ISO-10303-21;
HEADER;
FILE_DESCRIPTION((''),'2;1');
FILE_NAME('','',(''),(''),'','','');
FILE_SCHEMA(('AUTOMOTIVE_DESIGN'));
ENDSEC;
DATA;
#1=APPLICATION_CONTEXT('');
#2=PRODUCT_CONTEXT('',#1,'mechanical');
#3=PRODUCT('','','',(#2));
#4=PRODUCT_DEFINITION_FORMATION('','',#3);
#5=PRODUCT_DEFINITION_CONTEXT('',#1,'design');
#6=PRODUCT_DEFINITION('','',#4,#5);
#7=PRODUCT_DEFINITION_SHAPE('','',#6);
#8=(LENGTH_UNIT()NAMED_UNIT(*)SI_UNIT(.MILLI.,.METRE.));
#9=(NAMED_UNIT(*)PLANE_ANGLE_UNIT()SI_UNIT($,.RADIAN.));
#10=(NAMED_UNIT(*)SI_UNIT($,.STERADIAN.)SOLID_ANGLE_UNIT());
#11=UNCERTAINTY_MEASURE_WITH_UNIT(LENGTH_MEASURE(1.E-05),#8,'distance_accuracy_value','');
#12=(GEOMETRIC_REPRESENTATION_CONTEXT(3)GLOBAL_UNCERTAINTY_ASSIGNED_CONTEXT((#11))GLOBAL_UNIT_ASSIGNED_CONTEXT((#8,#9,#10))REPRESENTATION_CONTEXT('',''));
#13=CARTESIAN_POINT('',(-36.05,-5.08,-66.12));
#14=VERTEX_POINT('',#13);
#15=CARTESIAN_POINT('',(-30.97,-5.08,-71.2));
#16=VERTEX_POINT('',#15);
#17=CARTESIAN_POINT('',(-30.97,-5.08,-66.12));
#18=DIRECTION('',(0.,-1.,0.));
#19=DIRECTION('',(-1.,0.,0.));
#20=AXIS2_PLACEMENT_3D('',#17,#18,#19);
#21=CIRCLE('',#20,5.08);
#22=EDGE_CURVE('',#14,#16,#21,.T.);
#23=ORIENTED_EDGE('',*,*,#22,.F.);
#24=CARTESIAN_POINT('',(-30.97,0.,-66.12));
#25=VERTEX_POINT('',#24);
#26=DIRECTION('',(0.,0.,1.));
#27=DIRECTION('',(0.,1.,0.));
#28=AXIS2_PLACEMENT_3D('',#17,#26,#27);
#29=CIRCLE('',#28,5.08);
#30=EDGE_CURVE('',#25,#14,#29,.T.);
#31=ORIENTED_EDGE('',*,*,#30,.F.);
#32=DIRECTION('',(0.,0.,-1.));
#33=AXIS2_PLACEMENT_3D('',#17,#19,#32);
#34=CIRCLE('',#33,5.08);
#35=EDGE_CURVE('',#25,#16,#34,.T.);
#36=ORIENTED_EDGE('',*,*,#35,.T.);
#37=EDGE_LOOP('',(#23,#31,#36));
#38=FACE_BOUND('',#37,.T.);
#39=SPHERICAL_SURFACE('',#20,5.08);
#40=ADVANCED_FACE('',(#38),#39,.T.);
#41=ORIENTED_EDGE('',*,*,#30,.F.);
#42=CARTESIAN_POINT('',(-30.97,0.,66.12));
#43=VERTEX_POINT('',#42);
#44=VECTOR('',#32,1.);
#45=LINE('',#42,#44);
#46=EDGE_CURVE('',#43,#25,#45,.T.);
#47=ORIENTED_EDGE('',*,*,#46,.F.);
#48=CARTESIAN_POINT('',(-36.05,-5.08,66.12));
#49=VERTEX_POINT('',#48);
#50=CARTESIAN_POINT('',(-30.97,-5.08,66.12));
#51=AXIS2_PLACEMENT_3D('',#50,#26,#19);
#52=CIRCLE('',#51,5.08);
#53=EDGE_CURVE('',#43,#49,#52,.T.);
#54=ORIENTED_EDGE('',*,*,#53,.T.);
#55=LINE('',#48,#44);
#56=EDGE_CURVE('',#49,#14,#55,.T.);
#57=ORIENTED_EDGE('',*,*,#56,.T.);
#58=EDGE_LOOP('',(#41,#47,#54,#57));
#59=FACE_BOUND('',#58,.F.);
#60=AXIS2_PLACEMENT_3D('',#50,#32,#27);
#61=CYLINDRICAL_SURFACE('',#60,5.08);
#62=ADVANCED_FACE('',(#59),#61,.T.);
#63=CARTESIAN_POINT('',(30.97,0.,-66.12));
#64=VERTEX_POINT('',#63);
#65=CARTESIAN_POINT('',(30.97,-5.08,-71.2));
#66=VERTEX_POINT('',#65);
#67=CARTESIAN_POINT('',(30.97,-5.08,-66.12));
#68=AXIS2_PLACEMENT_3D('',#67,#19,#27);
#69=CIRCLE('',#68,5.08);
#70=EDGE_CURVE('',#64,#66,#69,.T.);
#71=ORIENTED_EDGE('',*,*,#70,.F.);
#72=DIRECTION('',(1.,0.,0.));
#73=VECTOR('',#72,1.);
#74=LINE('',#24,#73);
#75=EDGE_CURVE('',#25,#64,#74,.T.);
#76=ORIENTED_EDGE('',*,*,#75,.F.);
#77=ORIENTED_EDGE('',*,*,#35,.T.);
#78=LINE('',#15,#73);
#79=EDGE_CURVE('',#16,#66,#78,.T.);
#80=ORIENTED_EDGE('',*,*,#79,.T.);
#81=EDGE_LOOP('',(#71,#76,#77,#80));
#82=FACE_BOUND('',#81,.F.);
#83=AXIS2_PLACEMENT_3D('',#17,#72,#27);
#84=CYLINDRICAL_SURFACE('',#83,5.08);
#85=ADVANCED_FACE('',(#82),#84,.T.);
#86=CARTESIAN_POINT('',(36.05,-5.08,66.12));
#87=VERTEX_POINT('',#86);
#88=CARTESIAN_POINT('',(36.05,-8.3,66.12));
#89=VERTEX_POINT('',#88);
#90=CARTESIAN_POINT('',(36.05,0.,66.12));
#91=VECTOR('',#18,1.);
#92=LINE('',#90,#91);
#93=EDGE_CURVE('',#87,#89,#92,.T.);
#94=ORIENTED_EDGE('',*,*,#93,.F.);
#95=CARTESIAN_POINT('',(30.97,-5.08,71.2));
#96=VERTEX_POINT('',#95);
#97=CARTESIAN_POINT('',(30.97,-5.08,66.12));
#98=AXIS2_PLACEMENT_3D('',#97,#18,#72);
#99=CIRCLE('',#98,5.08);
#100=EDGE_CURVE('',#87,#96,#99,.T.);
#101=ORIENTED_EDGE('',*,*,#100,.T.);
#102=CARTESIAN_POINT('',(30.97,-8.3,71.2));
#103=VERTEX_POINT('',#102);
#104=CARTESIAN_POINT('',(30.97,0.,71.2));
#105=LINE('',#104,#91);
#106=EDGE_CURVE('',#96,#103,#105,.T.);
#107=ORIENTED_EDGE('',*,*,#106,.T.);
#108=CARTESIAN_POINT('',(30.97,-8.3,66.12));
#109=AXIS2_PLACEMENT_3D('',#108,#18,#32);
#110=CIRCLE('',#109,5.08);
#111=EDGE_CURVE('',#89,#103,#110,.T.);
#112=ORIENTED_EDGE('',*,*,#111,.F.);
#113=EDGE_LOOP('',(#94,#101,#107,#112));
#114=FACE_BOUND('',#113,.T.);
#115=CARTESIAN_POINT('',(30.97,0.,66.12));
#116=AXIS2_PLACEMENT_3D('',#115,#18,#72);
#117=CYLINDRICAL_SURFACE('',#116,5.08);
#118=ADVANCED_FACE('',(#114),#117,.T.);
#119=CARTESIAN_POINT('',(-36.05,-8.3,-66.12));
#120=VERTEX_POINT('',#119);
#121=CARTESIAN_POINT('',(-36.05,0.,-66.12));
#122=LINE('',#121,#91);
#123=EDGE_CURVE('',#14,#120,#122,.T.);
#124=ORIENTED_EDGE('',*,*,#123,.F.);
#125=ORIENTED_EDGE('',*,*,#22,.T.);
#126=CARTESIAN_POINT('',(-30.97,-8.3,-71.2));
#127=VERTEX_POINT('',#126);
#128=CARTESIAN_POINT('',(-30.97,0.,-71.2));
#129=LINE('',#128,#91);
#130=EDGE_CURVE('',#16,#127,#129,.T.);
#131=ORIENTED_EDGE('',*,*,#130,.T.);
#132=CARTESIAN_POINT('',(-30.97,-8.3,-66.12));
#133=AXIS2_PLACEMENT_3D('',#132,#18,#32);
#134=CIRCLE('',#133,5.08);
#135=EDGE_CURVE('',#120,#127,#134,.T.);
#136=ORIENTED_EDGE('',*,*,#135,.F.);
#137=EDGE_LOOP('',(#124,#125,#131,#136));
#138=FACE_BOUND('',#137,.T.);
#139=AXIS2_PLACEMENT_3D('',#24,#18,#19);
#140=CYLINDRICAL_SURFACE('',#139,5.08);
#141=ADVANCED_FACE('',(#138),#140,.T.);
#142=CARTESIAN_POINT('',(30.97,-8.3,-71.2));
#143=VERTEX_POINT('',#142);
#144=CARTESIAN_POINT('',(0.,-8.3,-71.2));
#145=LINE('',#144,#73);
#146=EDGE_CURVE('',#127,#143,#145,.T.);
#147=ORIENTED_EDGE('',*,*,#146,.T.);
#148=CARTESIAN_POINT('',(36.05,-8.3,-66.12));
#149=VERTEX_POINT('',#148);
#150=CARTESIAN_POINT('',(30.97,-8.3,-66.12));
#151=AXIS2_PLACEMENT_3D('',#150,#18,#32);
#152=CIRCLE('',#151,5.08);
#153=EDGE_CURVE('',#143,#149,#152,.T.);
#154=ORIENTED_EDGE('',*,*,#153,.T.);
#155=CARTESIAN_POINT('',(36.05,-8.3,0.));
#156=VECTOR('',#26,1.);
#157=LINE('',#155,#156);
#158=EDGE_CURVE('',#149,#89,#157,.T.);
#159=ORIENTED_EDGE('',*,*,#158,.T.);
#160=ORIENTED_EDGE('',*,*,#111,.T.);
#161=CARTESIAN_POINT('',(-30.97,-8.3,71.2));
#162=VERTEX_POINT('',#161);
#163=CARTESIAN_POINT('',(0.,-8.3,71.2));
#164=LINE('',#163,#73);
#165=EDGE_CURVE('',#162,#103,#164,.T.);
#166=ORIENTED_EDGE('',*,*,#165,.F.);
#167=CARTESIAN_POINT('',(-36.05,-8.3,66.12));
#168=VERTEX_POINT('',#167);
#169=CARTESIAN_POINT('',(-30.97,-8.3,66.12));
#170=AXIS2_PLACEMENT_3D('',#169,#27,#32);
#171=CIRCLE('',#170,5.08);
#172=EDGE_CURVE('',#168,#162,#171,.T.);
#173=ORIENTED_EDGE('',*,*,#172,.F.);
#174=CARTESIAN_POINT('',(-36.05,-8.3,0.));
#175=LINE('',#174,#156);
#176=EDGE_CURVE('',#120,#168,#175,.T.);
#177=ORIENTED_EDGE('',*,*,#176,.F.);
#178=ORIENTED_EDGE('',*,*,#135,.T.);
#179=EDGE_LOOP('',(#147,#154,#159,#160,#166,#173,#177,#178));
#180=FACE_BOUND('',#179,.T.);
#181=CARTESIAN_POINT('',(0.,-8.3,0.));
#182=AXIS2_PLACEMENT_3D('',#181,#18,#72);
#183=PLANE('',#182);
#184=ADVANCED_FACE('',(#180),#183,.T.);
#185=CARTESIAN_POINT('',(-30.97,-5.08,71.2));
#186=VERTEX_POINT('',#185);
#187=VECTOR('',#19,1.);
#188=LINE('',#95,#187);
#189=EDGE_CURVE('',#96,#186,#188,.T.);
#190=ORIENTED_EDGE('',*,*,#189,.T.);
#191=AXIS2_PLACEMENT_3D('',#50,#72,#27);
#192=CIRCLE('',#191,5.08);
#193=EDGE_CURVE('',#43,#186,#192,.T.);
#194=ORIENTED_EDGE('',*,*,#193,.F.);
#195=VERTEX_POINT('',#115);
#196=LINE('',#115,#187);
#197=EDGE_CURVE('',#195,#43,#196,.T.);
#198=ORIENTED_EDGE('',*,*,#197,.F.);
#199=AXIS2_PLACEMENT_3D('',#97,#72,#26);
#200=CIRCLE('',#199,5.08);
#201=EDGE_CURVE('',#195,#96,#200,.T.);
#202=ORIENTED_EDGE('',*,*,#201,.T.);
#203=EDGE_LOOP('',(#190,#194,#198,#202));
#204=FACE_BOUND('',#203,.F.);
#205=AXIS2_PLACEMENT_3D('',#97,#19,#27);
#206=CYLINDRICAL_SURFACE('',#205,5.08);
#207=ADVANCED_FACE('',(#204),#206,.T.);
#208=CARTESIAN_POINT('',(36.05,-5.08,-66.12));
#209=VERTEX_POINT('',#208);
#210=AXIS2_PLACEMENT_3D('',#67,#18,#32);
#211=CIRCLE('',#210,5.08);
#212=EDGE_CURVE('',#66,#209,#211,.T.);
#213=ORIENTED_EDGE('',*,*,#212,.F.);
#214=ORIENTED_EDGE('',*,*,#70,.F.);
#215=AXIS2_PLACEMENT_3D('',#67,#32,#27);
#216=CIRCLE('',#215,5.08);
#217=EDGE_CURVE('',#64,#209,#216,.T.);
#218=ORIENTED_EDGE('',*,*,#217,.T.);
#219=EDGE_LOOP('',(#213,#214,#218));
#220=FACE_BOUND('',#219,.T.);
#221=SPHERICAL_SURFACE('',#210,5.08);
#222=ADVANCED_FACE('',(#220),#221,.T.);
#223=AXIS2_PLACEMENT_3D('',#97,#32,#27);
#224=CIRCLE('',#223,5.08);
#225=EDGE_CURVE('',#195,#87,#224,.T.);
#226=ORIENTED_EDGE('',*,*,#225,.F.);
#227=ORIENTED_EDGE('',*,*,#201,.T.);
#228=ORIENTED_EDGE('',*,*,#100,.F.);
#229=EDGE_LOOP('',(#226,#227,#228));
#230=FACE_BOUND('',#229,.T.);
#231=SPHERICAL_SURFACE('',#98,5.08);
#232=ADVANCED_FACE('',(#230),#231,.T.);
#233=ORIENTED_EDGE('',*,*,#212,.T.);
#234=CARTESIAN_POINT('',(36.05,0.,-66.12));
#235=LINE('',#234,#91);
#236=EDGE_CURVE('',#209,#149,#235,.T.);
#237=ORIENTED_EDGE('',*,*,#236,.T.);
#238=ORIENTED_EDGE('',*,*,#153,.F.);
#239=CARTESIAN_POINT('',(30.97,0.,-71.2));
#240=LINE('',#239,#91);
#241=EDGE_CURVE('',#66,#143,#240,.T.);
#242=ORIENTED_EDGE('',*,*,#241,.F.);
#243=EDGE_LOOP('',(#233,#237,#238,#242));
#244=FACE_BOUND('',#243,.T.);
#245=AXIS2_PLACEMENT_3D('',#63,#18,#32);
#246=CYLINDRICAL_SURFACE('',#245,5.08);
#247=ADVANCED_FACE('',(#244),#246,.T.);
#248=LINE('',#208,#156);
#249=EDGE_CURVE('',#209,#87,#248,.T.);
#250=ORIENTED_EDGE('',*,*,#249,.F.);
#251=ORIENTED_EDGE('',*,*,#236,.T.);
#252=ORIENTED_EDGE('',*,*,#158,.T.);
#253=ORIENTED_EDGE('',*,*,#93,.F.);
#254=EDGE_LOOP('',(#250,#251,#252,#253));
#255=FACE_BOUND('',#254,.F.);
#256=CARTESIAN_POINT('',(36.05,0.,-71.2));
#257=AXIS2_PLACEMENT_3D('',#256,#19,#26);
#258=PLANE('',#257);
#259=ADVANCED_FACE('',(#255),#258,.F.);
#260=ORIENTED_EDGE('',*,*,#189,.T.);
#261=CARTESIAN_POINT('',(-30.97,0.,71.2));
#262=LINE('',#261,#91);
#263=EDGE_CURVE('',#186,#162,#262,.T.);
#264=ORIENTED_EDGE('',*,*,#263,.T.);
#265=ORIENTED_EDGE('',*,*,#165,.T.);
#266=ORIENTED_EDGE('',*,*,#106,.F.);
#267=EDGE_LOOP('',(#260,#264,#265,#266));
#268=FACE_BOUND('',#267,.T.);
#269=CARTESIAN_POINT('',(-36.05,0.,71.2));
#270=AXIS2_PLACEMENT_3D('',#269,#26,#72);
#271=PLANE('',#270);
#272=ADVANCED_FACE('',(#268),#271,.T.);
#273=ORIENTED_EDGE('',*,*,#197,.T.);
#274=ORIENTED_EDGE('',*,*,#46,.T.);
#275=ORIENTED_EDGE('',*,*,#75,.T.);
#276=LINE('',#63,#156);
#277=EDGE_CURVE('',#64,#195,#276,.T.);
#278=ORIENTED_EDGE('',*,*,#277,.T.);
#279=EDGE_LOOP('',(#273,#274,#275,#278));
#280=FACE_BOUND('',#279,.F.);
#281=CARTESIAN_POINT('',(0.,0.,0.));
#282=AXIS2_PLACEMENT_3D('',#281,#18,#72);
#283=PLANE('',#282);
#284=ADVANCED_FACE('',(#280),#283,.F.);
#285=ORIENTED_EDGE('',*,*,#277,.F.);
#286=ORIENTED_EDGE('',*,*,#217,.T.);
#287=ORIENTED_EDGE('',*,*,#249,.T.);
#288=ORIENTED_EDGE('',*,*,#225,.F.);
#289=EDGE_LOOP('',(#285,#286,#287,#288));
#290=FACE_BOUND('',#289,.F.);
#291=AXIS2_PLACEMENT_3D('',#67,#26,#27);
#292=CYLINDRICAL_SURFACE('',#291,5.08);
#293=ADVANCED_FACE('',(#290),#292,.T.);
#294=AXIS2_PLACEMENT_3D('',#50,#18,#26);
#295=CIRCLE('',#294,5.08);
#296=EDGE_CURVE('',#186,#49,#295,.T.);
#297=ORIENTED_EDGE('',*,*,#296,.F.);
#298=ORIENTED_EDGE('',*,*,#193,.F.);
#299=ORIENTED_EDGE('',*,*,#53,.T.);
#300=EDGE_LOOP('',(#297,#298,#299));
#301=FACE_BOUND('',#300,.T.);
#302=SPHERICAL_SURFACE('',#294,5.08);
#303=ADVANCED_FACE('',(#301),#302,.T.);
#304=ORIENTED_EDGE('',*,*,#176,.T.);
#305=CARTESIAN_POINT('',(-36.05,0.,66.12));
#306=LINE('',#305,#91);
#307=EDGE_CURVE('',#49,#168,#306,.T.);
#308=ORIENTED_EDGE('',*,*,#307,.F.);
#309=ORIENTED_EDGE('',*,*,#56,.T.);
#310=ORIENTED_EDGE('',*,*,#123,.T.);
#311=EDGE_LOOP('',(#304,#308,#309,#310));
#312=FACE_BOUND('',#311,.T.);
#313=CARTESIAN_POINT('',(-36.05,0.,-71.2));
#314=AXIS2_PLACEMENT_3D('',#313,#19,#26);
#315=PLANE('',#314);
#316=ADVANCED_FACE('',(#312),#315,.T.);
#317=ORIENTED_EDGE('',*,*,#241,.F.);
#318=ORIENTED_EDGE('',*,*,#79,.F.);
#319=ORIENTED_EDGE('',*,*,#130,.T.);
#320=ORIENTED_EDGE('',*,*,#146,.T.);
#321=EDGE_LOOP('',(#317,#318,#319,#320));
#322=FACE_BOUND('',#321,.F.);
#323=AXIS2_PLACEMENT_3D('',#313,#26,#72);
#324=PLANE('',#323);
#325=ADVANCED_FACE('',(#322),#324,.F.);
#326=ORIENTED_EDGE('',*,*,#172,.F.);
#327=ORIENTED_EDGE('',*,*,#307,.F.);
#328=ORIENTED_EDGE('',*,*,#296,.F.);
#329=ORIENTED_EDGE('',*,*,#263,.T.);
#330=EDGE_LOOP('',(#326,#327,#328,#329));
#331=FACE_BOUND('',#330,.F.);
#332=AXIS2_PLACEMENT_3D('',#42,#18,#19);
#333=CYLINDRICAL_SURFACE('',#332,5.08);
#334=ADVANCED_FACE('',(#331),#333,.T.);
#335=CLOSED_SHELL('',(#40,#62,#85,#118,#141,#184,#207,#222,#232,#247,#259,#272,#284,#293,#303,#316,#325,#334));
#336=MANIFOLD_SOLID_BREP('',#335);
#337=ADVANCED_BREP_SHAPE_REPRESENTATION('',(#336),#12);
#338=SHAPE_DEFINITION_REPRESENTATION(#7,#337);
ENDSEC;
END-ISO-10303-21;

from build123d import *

# Parameters (mm, degrees)
F0_W     = 72.1
F0_H     = 142.4
F1_DEPTH = 8.3
F2_R     = 5.08
F3_R     = 5.08


with BuildPart() as f1:
    # F0 (on Front) → F1 (new body)
    with BuildSketch(Plane.XZ):
        Rectangle(F0_W, F0_H)
    extrude(amount=F1_DEPTH)

    # F2
    f2_edges = [f1.edges().sort_by_distance(p)[0] for p in [
        (-36.05, -4.15, 71.2),
        (36.05, -4.15, 71.2),
        (36.05, -4.15, -71.2),
        (-36.05, -4.15, -71.2),
    ]]
    fillet(f2_edges, radius=F2_R)

    # F3
    f3_edges = [f1.edges().sort_by_distance(p)[0] for p in [
        (36.05, 0, 0),
    ]]
    fillet(f3_edges, radius=F3_R)


solid = f1.part
